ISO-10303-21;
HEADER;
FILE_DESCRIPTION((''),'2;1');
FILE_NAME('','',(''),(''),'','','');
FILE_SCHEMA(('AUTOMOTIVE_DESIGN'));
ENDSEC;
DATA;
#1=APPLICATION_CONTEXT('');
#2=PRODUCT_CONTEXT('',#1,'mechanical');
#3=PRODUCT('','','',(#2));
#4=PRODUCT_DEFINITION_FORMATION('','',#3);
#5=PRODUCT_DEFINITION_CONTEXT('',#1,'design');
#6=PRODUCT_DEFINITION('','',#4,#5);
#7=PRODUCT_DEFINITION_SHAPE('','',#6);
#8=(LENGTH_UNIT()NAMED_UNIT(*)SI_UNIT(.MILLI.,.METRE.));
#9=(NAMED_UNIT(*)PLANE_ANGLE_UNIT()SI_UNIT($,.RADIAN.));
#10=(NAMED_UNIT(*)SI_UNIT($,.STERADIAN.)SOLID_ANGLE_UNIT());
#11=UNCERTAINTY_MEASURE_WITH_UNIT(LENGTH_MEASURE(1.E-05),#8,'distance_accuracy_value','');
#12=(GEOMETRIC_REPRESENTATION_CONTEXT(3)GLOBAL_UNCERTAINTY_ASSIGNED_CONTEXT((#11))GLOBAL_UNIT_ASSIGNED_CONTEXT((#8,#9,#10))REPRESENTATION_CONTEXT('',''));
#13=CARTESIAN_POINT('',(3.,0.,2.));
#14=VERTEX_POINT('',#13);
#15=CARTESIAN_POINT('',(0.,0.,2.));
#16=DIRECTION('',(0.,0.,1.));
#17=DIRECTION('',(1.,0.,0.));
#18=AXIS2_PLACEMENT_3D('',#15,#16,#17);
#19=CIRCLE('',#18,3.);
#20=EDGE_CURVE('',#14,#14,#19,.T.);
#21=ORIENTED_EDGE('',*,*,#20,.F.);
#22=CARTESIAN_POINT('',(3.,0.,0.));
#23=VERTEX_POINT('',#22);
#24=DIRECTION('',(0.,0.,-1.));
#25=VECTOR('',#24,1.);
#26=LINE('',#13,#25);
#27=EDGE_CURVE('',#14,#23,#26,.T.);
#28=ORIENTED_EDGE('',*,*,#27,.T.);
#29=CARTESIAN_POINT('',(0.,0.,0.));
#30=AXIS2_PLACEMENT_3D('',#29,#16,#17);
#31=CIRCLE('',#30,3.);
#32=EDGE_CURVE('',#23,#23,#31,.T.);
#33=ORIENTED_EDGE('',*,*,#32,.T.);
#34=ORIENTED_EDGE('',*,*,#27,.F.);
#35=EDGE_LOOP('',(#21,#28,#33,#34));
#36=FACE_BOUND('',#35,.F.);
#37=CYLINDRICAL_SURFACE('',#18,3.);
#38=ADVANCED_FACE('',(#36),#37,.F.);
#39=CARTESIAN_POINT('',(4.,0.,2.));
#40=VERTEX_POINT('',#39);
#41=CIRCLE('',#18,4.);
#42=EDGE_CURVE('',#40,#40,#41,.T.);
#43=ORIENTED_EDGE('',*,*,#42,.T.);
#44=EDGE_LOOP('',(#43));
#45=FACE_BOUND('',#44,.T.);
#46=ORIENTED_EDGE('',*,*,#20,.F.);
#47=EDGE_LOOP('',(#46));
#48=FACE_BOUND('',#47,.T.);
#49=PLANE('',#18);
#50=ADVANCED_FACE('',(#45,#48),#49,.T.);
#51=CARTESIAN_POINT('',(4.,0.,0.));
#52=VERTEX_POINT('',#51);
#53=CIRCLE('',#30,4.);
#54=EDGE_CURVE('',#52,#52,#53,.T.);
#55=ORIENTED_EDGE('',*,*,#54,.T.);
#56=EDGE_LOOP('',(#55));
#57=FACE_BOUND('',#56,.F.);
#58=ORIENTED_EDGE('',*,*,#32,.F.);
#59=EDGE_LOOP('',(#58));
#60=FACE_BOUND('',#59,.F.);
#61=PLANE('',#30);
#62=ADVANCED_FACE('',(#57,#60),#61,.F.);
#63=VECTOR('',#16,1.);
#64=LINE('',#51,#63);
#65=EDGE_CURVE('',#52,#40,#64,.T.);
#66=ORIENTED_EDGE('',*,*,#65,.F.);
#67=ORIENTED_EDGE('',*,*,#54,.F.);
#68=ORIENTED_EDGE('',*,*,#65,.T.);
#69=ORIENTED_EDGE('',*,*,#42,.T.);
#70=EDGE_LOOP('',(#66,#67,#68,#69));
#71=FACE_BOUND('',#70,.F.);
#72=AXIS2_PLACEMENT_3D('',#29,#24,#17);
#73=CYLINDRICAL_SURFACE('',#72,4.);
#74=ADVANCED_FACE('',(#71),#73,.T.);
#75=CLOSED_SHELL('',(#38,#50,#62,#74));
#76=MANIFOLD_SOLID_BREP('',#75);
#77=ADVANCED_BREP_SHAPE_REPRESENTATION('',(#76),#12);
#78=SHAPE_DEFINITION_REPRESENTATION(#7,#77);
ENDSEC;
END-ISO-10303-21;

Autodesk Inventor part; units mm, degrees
ref_plane "YZ Plane" through (0, 0, 0) normal (1, 0, 0) x (0, 1, 0)
ref_plane "XZ Plane" through (0, 0, 0) normal (0, 1, 0) x (-1, 0, 0)
ref_plane "XY Plane" through (0, 0, 0) normal (0, 0, 1) x (1, 0, 0)
sketch "Sketch1" plane through (0, 0, 0) normal (0, 0, 1) x (1, 0, 0)
  circle A0 centre (0, 0) radius 3
  circle A1 centre (0, 0) radius 4
  dimension "d0" = 6
  dimension "d1" = 8
extrude "Extrusion1" add sketch "Sketch1" along normal blind 2 contours A0 | A1
sketch "Sketch2" plane through (0, 0, 2) normal (0, 0, 1) x (1, 0, 0)
  circle A0 centre (0, 0) radius 3
  dimension "d4" = 6
extrude "Extrusion2" cut sketch "Sketch2" against normal blind 2
